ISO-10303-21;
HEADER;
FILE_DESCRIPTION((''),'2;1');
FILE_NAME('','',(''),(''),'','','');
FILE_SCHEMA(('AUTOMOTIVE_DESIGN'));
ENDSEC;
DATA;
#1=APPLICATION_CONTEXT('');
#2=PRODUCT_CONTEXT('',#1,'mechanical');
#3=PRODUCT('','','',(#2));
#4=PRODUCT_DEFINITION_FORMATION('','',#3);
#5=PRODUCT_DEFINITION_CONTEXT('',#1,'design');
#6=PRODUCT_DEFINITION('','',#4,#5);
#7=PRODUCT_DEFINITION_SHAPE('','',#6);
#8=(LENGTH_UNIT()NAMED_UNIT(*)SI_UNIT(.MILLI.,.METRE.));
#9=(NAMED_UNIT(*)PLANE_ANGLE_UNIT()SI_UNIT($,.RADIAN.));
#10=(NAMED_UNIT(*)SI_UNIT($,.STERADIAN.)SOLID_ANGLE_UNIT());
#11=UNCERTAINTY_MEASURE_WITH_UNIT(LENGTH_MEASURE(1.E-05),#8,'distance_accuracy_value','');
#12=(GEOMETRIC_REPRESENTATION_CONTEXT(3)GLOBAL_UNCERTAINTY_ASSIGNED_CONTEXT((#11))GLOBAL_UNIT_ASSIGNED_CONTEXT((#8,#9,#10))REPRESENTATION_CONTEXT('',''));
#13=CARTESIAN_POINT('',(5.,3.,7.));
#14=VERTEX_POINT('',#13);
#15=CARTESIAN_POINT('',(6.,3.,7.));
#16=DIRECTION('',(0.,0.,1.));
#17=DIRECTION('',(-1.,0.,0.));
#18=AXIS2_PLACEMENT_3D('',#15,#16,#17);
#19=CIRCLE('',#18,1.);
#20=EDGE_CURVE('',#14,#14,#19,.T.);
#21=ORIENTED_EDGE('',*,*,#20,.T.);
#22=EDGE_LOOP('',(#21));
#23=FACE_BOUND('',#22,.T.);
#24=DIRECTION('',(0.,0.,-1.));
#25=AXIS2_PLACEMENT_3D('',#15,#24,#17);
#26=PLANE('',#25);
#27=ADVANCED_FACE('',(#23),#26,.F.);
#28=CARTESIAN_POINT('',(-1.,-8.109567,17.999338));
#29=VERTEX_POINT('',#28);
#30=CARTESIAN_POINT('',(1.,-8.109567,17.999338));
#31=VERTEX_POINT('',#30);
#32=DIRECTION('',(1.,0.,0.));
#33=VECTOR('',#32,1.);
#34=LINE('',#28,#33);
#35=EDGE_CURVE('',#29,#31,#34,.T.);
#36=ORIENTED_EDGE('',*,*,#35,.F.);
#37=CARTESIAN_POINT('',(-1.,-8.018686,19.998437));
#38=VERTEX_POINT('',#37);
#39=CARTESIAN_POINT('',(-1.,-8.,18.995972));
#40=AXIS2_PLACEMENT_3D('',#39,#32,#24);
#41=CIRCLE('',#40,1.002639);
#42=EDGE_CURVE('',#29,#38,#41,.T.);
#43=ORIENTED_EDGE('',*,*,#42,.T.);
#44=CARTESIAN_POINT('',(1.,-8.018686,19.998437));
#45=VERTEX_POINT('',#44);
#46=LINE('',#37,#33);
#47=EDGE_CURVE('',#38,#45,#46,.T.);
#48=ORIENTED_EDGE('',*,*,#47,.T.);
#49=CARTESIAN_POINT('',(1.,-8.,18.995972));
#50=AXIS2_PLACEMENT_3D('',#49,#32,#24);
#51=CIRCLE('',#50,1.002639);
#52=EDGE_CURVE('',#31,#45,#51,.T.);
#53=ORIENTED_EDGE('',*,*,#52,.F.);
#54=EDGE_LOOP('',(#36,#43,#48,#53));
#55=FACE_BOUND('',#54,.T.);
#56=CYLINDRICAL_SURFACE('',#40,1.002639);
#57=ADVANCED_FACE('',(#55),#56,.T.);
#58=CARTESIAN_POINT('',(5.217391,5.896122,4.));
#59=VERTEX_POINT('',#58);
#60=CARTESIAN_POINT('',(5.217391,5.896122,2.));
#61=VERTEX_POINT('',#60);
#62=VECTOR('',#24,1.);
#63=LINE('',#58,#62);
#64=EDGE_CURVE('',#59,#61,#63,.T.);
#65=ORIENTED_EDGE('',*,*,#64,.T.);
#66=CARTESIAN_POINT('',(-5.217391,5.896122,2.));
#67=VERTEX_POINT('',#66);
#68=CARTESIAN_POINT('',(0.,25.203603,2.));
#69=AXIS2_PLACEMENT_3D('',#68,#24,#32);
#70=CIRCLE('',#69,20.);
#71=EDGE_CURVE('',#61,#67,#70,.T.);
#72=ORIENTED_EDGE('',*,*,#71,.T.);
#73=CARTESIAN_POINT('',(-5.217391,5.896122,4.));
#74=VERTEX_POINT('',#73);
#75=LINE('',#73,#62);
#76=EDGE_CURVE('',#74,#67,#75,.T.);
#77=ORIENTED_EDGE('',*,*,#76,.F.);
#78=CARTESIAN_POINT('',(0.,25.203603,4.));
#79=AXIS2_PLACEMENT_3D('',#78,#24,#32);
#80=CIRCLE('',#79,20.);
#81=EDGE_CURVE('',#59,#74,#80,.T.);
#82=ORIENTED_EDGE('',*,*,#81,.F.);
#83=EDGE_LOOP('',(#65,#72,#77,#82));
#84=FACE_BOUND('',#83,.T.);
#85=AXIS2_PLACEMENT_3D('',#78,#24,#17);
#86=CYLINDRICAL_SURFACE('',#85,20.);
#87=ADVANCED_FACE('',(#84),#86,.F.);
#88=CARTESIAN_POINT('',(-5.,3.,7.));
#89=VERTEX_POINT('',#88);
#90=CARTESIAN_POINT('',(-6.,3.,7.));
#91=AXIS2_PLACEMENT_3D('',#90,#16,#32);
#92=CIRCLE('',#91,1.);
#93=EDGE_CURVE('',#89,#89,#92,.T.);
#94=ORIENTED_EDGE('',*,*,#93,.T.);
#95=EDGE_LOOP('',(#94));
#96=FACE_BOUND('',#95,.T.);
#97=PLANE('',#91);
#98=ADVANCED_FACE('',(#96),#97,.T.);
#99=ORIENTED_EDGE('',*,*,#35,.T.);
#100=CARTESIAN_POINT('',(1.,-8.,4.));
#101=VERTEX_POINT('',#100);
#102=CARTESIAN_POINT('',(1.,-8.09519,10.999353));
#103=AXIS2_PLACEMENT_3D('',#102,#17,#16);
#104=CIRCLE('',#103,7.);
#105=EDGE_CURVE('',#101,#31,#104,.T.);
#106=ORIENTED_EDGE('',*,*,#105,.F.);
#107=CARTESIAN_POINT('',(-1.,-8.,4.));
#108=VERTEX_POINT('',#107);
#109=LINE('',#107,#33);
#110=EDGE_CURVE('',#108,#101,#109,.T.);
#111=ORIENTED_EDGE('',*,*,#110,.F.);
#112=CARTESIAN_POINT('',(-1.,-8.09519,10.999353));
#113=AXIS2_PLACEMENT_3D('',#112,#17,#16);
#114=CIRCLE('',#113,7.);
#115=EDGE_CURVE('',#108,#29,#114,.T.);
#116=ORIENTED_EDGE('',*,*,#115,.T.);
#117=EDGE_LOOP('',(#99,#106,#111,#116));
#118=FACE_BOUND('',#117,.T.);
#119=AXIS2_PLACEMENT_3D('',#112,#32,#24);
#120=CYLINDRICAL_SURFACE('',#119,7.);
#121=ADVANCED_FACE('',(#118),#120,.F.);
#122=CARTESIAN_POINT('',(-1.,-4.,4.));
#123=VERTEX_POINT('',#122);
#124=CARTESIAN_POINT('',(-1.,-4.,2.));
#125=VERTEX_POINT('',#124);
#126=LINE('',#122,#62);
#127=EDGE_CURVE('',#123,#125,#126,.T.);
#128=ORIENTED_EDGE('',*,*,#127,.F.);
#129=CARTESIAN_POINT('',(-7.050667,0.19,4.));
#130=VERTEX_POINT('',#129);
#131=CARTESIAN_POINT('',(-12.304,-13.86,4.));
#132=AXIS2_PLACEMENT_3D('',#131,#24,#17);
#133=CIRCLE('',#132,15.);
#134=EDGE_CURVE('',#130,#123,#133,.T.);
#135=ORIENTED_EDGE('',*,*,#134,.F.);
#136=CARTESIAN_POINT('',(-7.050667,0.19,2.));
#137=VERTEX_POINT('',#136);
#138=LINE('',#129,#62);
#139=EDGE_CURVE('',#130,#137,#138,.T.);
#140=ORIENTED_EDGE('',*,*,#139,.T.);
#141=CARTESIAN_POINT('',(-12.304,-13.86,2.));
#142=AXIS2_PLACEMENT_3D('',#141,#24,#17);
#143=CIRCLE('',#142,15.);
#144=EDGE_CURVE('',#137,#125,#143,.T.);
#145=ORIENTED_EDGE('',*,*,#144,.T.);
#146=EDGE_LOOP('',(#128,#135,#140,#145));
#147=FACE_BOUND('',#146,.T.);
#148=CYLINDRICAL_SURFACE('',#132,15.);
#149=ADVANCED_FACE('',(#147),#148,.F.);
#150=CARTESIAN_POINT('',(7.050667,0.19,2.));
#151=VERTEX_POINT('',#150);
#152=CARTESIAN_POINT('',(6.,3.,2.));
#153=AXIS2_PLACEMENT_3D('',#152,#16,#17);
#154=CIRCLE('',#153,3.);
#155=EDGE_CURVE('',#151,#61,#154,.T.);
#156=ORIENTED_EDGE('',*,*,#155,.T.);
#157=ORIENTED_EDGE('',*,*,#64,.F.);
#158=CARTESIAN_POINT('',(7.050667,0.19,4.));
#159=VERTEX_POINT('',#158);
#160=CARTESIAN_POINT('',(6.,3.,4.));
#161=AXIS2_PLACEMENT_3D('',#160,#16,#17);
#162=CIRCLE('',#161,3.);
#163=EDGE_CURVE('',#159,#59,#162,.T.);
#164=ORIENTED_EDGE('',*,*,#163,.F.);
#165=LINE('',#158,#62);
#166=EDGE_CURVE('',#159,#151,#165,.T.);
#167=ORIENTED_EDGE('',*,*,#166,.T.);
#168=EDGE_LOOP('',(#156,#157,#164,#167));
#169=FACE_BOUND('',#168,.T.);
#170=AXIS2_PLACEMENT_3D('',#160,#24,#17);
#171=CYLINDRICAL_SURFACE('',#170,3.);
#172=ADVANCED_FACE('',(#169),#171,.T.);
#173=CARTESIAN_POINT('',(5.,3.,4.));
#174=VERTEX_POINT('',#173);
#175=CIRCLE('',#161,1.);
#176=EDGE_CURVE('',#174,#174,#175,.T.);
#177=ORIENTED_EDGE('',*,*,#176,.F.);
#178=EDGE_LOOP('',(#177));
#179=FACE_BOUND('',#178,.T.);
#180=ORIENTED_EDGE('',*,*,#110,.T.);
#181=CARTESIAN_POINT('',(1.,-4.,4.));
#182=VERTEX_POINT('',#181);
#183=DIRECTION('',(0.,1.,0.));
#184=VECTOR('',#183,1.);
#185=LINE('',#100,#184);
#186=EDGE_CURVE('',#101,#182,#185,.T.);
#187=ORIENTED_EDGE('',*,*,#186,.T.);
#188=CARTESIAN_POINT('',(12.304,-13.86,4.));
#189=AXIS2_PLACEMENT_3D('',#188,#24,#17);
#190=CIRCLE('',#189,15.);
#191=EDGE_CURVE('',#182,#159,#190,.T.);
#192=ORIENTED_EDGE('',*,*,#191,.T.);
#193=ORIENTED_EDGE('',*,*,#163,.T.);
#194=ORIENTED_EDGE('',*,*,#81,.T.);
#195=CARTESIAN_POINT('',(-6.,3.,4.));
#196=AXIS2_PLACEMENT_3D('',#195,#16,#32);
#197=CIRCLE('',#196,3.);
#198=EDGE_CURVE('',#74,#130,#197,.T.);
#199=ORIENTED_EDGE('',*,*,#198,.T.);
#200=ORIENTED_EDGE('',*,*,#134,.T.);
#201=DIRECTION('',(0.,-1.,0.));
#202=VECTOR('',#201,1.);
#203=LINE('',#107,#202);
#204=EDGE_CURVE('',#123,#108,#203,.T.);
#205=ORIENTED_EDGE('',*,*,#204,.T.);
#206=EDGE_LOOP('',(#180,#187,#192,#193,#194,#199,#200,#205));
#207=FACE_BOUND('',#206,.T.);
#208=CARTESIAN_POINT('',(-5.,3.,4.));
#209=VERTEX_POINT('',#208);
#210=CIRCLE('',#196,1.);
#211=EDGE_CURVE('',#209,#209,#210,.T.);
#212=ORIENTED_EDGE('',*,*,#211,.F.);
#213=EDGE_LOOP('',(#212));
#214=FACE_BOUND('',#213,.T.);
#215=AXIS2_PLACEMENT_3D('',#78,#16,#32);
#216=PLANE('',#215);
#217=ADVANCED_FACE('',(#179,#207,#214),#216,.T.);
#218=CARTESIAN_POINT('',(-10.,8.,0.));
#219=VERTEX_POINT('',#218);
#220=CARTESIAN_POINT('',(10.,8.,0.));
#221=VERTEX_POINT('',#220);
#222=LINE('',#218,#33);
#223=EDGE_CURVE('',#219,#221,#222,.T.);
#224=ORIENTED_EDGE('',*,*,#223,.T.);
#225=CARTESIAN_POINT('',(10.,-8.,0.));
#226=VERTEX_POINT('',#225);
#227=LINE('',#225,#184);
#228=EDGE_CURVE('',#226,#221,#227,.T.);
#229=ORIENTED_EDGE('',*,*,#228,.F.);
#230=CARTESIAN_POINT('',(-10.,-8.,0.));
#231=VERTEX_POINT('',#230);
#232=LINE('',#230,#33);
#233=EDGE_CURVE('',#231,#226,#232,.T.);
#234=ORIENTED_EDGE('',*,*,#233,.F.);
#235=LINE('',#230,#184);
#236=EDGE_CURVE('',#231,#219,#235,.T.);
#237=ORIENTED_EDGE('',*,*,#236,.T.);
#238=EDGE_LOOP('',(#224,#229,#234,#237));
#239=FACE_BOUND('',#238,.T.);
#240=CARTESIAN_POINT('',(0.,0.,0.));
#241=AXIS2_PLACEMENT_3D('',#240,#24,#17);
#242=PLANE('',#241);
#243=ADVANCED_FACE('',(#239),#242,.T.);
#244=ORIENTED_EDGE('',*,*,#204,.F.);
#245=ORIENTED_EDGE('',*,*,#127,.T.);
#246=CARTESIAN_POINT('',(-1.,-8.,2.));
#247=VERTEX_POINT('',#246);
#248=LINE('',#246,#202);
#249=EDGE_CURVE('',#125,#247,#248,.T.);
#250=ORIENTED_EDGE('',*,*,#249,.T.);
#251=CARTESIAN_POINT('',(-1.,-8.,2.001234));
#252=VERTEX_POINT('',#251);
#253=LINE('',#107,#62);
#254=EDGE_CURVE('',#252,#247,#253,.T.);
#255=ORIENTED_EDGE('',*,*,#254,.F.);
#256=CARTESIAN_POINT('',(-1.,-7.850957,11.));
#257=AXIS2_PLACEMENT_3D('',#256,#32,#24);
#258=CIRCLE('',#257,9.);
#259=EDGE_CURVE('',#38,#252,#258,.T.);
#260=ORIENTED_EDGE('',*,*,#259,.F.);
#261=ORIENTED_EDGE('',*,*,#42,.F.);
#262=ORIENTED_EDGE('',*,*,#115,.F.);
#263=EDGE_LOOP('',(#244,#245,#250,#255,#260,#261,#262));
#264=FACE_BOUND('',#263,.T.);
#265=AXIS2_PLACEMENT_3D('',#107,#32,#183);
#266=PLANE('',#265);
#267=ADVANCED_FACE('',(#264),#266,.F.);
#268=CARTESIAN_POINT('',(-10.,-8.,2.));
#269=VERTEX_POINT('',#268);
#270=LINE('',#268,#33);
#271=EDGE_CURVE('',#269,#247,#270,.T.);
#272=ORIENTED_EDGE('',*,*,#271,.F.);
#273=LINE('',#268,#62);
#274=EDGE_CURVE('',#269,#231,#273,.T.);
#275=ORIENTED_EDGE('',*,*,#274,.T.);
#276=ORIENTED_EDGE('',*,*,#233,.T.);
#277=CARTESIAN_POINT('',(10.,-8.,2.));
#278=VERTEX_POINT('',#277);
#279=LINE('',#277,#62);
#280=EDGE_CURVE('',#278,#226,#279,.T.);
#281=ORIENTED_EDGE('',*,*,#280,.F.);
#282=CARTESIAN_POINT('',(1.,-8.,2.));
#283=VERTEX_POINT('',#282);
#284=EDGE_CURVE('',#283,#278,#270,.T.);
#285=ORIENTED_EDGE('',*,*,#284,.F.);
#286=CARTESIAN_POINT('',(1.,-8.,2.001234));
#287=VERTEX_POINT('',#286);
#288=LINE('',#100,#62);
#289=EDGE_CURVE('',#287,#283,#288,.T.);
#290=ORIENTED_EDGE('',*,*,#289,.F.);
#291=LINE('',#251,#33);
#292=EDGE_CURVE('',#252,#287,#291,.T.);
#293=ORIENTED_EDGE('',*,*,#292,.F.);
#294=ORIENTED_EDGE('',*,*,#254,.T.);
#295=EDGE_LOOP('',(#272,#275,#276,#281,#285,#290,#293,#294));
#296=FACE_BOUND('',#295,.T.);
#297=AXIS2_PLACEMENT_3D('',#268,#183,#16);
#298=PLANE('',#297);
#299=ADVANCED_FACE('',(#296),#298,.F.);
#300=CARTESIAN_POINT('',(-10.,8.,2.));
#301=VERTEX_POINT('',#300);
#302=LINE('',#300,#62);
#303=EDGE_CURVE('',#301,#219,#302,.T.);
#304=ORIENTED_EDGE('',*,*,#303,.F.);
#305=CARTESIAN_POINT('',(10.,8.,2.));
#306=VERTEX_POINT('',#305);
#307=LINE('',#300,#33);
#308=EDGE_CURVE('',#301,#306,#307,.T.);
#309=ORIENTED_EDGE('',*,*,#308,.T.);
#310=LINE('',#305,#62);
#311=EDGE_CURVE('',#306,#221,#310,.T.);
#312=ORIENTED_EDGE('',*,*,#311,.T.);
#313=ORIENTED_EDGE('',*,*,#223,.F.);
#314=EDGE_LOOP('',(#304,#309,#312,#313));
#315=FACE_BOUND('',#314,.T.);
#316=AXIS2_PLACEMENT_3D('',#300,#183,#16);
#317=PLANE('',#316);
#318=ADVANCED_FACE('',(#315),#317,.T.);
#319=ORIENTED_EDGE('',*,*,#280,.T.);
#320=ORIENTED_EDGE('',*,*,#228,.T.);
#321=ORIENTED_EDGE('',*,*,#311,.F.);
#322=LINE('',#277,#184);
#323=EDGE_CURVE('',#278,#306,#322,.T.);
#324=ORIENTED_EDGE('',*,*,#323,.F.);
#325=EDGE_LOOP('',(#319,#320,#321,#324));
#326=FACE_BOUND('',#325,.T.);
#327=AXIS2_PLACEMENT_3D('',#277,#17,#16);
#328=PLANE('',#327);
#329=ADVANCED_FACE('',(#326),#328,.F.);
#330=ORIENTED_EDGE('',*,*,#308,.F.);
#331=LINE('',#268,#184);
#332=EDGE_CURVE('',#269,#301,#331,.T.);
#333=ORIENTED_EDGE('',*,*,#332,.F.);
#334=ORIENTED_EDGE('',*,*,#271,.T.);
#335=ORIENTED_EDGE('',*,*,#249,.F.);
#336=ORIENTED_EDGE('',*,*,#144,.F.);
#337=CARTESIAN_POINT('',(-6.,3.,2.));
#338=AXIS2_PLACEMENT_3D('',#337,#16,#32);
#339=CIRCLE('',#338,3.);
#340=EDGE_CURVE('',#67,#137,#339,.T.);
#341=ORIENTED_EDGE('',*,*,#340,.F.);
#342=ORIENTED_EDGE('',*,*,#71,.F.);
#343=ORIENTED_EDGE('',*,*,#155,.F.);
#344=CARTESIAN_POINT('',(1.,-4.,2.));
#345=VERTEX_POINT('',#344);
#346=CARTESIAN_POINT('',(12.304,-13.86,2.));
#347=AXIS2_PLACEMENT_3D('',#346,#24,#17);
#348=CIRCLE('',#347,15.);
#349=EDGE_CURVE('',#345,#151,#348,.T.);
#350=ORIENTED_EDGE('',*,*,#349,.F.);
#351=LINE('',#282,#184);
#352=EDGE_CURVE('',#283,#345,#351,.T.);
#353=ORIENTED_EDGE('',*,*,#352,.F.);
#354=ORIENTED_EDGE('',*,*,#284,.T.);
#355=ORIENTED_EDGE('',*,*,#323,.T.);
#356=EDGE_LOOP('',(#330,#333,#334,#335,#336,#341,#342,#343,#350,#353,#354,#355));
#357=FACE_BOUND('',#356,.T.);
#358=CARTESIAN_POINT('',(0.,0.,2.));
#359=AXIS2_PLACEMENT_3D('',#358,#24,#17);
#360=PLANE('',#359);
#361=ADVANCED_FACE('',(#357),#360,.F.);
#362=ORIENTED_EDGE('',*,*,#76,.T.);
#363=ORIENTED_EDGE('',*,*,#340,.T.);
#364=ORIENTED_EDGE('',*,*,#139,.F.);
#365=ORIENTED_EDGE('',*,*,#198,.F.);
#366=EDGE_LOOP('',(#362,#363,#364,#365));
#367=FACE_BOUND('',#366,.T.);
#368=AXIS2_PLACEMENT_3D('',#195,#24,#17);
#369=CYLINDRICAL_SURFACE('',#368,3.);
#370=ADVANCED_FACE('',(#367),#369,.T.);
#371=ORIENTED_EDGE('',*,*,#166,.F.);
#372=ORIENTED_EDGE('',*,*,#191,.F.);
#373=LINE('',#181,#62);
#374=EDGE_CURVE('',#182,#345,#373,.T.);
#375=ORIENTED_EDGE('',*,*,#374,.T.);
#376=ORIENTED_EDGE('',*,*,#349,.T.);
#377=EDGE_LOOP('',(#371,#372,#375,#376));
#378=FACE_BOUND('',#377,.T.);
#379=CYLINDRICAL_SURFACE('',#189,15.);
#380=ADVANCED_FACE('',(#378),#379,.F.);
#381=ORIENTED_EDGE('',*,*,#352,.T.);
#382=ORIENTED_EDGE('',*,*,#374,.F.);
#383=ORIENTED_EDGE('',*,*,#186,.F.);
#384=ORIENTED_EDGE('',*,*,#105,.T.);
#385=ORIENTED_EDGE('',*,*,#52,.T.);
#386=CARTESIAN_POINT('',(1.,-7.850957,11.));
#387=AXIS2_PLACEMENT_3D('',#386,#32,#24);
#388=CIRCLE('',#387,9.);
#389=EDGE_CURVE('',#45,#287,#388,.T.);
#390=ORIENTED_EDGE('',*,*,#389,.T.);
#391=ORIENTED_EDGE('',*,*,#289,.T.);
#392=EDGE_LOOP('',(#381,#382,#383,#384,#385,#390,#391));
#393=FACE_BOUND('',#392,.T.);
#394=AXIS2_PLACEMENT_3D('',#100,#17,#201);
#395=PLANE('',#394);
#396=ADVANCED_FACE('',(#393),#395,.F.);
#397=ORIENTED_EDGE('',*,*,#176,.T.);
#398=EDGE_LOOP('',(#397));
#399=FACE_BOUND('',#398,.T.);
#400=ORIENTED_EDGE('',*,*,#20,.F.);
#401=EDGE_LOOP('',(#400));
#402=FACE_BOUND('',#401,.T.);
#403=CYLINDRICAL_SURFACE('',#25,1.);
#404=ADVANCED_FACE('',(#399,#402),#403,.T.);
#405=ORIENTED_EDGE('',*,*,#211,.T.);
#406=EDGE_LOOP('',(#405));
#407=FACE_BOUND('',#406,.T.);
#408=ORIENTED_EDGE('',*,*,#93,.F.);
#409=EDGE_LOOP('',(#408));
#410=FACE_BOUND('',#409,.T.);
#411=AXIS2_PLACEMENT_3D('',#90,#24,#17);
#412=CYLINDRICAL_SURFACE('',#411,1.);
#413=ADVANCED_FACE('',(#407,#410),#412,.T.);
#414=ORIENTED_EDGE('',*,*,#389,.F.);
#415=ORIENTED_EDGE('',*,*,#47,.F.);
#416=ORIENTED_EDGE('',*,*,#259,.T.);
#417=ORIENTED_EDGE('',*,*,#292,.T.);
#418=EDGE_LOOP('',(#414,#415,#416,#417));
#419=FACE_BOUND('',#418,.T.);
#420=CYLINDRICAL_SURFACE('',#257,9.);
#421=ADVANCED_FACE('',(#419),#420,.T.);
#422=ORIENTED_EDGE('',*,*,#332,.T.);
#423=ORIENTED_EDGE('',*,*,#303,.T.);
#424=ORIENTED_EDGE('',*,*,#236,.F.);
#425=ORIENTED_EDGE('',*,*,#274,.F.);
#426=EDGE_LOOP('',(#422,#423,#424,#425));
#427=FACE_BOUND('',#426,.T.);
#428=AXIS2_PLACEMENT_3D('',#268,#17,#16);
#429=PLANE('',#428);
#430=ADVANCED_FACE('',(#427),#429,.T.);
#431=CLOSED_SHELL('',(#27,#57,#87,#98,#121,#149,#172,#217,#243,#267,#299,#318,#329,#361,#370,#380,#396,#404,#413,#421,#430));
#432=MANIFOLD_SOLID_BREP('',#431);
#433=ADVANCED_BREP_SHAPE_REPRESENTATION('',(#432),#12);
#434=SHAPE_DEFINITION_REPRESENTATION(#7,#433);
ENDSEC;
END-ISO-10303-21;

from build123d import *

# Parameters (mm, degrees)
CROQUIS2_W                   = 20
CROQUIS2_H                   = 16
SALIENTE_EXTRUIR1_DEPTH      = 2
SALIENTE_EXTRUIR2_DEPTH      = 2
CROQUIS4_R                   = 1
SALIENTE_EXTRUIR3_DEPTH      = 3
SALIENTE_EXTRUIR4_DEPTH      = 1
SALIENTE_EXTRUIR4_DEPTH_BACK = 1


with BuildPart() as part:
    # Croquis2 → Saliente-Extruir1 (new body)
    with BuildSketch(Plane.XY):
        Rectangle(CROQUIS2_W, CROQUIS2_H)
    extrude(amount=SALIENTE_EXTRUIR1_DEPTH)

    # Croquis3 → Saliente-Extruir2 (add)
    with BuildSketch(Plane.XY.offset(2)):
        with BuildLine():
            Line((1, -8), (1, -4))
            ThreePointArc((1, -4), (3.764366067, -1.528144202), (7.050666594, 0.190000052))
            ThreePointArc((7.050666594, 0.190000052), (8.85620748, 3.917648534), (5.217391304, 5.896122171))
            ThreePointArc((5.217391304, 5.896122171), (0, 5.203603311), (-5.217391304, 5.896122171))
            ThreePointArc((-5.217391304, 5.896122171), (-8.85620748, 3.917648534), (-7.050666594, 0.190000052))
            ThreePointArc((-7.050666594, 0.190000052), (-3.764366067, -1.528144202), (-1, -4))
            Line((-1, -4), (-1, -8))
            Line((-1, -8), (1, -8))
        make_face()
    extrude(amount=SALIENTE_EXTRUIR2_DEPTH)

    # Croquis4 → Saliente-Extruir3 (add)
    with BuildSketch(Plane.XY.offset(4)):
        with Locations((-6, 3)):
            Circle(CROQUIS4_R)
        with Locations(Location((6, 3, 0), (0, 0, 180))):
            Circle(CROQUIS4_R)
    extrude(amount=SALIENTE_EXTRUIR3_DEPTH)

    # Croquis5 → Saliente-Extruir4 (add, two sides: drawn at the far end of the back side and taken through both)
    with BuildSketch(Plane(origin=(0, 0, 0), x_dir=(0, 0, -1), z_dir=(1, 0, 0)).offset(-SALIENTE_EXTRUIR4_DEPTH_BACK)):
        with BuildLine():
            Line((-4, -8), (-2.00123418, -8))
            ThreePointArc((-2.00123418, -8), (-10.990655722, -16.850952462), (-19.998436931, -8.018685662))
            ThreePointArc((-19.998436931, -8.018685662), (-18.950438256, -6.998395625), (-17.99933798, -8.109566741))
            ThreePointArc((-17.99933798, -8.109566741), (-10.94456846, -15.094975828), (-4, -8))
        make_face()
    extrude(amount=SALIENTE_EXTRUIR4_DEPTH + SALIENTE_EXTRUIR4_DEPTH_BACK)


solid = part.part
